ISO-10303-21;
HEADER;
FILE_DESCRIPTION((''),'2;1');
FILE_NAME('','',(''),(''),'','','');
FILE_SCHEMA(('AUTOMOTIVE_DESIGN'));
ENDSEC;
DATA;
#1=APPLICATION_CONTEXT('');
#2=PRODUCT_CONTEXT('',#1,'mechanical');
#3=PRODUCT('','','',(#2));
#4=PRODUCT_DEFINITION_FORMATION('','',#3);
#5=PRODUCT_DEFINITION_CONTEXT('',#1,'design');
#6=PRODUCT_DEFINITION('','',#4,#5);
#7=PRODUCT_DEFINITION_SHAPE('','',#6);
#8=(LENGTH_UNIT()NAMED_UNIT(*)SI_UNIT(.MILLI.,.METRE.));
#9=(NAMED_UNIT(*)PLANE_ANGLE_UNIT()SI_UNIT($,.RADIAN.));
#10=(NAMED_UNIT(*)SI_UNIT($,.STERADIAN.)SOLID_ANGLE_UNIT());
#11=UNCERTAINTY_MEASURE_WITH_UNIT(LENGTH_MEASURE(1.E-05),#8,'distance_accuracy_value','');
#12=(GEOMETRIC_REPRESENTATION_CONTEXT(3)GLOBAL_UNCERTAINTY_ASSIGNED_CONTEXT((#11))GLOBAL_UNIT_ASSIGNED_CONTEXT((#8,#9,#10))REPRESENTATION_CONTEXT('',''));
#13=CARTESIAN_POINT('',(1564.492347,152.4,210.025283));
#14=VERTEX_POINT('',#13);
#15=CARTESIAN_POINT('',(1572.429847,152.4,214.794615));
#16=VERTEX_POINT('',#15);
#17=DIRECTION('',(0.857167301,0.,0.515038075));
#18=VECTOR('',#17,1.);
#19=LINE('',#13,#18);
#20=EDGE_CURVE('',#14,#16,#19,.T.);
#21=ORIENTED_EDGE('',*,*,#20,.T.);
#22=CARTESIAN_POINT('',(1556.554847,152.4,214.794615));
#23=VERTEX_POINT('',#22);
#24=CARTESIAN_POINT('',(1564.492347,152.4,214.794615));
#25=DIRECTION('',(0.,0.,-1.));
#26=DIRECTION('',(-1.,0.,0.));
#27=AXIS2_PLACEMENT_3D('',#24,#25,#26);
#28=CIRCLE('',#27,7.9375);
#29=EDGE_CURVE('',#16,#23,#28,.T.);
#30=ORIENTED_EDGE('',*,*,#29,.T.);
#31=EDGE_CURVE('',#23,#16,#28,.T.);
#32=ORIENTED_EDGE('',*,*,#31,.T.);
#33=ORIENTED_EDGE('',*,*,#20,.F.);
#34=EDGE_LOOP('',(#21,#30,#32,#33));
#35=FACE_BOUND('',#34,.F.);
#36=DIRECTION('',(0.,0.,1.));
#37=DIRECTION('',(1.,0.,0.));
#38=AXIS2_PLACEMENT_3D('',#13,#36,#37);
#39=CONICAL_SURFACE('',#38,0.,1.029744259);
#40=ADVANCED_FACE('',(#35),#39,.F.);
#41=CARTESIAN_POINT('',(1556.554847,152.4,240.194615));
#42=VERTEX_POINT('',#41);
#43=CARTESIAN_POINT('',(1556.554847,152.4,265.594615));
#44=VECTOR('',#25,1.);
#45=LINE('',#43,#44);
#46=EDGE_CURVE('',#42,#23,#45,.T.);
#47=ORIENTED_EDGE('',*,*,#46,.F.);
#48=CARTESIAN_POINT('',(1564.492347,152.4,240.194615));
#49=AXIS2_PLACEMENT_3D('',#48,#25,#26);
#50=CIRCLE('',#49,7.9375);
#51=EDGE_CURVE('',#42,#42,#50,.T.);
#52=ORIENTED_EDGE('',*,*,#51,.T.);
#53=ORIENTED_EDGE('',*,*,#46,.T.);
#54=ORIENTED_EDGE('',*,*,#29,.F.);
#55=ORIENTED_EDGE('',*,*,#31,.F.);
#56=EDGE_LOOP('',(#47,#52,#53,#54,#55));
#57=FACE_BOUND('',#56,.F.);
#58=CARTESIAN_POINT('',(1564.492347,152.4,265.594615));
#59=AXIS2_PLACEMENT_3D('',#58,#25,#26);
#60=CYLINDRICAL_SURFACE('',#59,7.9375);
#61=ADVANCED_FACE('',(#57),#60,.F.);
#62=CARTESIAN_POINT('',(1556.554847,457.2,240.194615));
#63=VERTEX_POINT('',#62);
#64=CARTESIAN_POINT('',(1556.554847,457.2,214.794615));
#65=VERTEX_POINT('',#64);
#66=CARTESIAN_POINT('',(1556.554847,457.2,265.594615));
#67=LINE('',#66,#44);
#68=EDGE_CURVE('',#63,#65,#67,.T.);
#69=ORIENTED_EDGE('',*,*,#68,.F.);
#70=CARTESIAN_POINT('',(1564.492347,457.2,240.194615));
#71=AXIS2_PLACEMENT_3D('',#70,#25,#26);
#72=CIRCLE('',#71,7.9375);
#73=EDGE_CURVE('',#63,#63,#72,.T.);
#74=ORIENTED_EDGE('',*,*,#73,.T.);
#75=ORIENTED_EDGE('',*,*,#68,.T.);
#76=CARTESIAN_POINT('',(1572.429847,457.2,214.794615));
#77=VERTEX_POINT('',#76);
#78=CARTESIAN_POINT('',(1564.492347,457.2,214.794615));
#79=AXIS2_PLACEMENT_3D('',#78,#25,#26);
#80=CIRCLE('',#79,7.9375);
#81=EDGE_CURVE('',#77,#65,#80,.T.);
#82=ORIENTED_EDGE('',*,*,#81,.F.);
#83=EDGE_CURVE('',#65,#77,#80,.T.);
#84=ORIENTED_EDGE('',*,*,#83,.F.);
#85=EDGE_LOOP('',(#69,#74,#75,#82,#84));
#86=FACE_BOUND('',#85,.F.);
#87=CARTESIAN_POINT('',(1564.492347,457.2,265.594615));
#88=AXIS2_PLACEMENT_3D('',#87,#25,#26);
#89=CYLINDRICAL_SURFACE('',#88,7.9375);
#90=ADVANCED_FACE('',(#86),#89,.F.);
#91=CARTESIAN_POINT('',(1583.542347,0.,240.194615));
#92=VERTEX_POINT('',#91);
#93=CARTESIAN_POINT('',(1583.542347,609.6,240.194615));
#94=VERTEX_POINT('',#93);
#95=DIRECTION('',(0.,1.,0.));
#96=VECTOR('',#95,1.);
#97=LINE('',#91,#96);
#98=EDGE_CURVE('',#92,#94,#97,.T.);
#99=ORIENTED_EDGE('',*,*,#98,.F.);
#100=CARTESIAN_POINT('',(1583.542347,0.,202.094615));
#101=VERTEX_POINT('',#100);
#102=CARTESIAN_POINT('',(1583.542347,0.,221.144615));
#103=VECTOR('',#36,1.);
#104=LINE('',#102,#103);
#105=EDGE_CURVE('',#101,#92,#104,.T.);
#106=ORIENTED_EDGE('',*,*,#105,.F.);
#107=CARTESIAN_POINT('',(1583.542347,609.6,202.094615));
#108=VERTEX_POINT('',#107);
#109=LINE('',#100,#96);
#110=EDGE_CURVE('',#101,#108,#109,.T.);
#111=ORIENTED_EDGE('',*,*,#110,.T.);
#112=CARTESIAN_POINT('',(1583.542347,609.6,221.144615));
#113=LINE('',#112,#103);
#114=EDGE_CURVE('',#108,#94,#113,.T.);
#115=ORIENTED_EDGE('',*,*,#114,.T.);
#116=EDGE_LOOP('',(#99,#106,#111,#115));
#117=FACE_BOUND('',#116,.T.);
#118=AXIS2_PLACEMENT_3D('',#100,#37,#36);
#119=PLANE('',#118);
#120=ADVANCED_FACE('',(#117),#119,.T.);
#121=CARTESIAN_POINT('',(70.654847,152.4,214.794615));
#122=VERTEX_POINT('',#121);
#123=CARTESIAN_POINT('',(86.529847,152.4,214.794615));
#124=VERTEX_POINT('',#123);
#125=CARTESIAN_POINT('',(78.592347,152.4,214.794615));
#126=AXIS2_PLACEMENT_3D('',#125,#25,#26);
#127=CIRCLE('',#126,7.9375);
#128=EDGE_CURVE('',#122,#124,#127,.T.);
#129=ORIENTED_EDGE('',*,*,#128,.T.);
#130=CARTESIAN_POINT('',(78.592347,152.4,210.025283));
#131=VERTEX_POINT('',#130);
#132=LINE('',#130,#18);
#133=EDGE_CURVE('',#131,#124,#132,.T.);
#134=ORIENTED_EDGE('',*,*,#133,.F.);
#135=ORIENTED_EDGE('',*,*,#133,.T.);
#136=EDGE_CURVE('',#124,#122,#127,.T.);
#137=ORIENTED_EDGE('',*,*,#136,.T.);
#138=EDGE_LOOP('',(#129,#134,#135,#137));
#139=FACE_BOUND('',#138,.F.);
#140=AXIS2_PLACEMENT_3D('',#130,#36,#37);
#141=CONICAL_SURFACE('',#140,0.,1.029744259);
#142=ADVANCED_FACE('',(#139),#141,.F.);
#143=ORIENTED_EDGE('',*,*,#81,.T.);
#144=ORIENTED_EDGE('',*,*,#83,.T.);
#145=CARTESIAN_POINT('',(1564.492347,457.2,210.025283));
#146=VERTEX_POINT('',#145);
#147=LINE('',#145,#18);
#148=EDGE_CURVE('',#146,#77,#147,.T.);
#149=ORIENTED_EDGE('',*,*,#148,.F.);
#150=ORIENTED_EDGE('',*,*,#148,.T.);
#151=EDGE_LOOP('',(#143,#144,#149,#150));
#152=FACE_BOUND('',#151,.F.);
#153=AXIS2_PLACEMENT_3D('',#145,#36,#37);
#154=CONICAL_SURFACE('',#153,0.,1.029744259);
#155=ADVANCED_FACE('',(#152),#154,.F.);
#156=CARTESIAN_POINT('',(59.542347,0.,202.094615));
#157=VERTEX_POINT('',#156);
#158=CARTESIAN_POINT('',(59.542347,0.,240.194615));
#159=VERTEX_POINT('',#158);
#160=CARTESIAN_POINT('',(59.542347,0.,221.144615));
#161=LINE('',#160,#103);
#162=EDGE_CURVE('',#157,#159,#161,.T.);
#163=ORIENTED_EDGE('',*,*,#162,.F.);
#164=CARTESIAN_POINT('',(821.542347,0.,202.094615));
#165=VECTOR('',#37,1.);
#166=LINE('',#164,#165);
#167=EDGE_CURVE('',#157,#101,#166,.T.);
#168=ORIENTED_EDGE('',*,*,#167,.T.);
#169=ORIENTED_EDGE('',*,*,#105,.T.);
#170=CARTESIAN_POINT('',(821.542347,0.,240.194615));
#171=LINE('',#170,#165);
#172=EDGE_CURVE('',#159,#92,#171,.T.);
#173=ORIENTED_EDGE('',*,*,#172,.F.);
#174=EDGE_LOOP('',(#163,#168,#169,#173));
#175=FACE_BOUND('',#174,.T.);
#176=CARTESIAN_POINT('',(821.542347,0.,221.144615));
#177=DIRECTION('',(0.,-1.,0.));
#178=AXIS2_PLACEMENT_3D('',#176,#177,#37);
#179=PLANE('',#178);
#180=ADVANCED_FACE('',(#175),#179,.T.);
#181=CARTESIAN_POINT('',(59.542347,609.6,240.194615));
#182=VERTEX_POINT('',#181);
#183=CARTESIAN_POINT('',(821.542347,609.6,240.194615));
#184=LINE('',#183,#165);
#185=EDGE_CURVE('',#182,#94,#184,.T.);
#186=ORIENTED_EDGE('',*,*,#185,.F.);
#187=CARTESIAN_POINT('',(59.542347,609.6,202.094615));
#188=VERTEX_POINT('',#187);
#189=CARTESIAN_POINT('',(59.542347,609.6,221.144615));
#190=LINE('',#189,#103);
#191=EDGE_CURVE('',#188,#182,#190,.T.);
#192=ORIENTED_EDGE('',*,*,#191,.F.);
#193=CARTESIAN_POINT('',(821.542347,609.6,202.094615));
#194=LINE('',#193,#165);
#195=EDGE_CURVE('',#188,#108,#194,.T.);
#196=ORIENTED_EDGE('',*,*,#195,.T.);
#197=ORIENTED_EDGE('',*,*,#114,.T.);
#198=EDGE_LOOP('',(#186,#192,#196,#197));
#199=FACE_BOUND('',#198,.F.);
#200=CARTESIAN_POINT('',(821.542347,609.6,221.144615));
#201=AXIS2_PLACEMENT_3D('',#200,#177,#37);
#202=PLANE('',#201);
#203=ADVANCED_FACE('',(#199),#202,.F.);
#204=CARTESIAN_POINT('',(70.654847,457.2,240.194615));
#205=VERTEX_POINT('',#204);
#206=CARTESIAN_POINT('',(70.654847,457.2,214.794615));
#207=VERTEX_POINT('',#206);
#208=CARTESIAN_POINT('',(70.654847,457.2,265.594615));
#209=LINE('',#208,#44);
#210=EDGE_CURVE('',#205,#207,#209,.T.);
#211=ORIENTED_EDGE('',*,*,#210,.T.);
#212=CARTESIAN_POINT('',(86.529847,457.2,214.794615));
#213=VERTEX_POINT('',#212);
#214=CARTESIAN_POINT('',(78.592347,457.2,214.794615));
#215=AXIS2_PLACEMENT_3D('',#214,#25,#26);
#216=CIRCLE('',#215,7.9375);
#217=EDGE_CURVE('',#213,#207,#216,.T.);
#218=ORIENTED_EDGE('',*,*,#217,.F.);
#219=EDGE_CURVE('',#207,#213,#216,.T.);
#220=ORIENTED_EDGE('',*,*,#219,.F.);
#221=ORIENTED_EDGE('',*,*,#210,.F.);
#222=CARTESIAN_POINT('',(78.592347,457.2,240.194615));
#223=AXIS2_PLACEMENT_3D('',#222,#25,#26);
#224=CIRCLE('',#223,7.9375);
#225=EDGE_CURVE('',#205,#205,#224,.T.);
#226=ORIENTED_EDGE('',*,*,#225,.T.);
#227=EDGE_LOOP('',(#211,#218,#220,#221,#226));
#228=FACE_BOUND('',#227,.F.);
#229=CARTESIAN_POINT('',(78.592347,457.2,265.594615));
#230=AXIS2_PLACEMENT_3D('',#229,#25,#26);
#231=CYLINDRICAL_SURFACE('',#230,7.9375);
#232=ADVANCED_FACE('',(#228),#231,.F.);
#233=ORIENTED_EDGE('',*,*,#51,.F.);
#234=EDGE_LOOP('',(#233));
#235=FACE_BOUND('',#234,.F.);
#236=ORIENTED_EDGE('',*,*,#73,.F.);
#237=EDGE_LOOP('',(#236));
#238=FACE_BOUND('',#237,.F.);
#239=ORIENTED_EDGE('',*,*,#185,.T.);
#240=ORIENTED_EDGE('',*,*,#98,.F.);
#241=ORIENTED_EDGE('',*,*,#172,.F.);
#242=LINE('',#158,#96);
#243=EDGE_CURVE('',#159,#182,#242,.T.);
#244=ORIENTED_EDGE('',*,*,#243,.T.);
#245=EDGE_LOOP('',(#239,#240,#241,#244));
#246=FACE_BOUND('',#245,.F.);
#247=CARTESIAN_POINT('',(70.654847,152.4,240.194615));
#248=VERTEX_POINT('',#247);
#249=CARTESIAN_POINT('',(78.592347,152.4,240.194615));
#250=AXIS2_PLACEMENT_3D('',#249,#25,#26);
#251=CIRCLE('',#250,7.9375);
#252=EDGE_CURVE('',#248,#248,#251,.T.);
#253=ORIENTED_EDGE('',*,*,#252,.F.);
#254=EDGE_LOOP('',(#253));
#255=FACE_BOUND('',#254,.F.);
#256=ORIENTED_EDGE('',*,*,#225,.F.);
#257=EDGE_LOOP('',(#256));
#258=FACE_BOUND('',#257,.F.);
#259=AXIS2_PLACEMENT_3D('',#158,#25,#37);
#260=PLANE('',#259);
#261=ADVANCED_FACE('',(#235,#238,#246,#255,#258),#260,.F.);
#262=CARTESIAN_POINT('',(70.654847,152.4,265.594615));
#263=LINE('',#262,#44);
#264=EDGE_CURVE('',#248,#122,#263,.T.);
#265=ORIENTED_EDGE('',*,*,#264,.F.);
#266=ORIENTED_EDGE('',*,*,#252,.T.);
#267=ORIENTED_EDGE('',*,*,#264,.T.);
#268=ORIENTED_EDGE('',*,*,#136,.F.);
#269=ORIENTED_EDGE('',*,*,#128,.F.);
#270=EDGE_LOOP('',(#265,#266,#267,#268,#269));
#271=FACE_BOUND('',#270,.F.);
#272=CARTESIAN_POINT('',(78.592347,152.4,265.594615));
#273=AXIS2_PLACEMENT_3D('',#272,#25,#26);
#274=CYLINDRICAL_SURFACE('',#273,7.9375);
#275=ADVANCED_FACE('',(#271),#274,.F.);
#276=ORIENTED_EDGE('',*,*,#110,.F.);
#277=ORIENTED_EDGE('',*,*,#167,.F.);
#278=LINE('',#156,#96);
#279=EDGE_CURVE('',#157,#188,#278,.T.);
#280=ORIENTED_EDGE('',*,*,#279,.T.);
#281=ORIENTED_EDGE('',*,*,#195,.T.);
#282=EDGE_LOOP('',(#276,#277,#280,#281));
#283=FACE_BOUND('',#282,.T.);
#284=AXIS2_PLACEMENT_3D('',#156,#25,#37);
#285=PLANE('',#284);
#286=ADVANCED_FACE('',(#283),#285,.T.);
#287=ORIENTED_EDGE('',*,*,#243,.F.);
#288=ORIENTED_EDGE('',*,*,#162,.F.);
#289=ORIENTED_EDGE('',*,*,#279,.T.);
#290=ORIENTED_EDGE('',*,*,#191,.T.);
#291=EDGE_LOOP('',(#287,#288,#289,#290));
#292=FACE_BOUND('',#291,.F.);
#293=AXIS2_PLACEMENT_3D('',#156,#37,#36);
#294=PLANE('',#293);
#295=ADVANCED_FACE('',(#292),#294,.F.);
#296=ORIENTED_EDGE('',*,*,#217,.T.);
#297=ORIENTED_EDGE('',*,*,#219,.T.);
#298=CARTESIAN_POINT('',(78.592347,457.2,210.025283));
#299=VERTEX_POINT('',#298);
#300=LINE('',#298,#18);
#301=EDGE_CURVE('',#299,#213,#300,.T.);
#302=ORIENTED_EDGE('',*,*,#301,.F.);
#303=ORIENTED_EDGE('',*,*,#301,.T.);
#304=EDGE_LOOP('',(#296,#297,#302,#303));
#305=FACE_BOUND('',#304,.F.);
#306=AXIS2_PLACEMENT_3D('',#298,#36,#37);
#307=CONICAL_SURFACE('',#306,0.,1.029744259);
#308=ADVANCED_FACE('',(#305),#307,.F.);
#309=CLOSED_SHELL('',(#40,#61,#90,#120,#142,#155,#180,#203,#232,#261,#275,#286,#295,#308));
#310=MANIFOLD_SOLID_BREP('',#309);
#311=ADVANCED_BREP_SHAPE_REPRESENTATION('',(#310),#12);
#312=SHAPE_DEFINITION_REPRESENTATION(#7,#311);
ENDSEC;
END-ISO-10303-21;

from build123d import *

# Parameters (mm, degrees)
F0_W     = 1524
F0_H     = 38.1
F1_DEPTH = 609.6
F3_D     = 15.875
F3_DEPTH = 25.4
F3_TIP   = 4.7693311635


with BuildPart() as f1:
    # F0 (on Front) → F1 (new body)
    with BuildSketch(Plane.XZ):
        with Locations((821.5423469543, 221.1446145058)):
            Rectangle(F0_W, F0_H)
    extrude(amount=-F1_DEPTH)

    # F3
    with Locations(Plane.XY.offset(240.1946145058)):
        with Locations((78.5923469543, 457.2), (78.5923469543, 152.4), (1564.4923469543, 457.2), (1564.4923469543, 152.4)):
            Hole(F3_D / 2, depth=F3_DEPTH)
            with Locations((0, 0, -(F3_DEPTH + F3_TIP / 2))):  # 118° drill point
                Cone(0, F3_D / 2, F3_TIP, mode=Mode.SUBTRACT)


solid = f1.part
